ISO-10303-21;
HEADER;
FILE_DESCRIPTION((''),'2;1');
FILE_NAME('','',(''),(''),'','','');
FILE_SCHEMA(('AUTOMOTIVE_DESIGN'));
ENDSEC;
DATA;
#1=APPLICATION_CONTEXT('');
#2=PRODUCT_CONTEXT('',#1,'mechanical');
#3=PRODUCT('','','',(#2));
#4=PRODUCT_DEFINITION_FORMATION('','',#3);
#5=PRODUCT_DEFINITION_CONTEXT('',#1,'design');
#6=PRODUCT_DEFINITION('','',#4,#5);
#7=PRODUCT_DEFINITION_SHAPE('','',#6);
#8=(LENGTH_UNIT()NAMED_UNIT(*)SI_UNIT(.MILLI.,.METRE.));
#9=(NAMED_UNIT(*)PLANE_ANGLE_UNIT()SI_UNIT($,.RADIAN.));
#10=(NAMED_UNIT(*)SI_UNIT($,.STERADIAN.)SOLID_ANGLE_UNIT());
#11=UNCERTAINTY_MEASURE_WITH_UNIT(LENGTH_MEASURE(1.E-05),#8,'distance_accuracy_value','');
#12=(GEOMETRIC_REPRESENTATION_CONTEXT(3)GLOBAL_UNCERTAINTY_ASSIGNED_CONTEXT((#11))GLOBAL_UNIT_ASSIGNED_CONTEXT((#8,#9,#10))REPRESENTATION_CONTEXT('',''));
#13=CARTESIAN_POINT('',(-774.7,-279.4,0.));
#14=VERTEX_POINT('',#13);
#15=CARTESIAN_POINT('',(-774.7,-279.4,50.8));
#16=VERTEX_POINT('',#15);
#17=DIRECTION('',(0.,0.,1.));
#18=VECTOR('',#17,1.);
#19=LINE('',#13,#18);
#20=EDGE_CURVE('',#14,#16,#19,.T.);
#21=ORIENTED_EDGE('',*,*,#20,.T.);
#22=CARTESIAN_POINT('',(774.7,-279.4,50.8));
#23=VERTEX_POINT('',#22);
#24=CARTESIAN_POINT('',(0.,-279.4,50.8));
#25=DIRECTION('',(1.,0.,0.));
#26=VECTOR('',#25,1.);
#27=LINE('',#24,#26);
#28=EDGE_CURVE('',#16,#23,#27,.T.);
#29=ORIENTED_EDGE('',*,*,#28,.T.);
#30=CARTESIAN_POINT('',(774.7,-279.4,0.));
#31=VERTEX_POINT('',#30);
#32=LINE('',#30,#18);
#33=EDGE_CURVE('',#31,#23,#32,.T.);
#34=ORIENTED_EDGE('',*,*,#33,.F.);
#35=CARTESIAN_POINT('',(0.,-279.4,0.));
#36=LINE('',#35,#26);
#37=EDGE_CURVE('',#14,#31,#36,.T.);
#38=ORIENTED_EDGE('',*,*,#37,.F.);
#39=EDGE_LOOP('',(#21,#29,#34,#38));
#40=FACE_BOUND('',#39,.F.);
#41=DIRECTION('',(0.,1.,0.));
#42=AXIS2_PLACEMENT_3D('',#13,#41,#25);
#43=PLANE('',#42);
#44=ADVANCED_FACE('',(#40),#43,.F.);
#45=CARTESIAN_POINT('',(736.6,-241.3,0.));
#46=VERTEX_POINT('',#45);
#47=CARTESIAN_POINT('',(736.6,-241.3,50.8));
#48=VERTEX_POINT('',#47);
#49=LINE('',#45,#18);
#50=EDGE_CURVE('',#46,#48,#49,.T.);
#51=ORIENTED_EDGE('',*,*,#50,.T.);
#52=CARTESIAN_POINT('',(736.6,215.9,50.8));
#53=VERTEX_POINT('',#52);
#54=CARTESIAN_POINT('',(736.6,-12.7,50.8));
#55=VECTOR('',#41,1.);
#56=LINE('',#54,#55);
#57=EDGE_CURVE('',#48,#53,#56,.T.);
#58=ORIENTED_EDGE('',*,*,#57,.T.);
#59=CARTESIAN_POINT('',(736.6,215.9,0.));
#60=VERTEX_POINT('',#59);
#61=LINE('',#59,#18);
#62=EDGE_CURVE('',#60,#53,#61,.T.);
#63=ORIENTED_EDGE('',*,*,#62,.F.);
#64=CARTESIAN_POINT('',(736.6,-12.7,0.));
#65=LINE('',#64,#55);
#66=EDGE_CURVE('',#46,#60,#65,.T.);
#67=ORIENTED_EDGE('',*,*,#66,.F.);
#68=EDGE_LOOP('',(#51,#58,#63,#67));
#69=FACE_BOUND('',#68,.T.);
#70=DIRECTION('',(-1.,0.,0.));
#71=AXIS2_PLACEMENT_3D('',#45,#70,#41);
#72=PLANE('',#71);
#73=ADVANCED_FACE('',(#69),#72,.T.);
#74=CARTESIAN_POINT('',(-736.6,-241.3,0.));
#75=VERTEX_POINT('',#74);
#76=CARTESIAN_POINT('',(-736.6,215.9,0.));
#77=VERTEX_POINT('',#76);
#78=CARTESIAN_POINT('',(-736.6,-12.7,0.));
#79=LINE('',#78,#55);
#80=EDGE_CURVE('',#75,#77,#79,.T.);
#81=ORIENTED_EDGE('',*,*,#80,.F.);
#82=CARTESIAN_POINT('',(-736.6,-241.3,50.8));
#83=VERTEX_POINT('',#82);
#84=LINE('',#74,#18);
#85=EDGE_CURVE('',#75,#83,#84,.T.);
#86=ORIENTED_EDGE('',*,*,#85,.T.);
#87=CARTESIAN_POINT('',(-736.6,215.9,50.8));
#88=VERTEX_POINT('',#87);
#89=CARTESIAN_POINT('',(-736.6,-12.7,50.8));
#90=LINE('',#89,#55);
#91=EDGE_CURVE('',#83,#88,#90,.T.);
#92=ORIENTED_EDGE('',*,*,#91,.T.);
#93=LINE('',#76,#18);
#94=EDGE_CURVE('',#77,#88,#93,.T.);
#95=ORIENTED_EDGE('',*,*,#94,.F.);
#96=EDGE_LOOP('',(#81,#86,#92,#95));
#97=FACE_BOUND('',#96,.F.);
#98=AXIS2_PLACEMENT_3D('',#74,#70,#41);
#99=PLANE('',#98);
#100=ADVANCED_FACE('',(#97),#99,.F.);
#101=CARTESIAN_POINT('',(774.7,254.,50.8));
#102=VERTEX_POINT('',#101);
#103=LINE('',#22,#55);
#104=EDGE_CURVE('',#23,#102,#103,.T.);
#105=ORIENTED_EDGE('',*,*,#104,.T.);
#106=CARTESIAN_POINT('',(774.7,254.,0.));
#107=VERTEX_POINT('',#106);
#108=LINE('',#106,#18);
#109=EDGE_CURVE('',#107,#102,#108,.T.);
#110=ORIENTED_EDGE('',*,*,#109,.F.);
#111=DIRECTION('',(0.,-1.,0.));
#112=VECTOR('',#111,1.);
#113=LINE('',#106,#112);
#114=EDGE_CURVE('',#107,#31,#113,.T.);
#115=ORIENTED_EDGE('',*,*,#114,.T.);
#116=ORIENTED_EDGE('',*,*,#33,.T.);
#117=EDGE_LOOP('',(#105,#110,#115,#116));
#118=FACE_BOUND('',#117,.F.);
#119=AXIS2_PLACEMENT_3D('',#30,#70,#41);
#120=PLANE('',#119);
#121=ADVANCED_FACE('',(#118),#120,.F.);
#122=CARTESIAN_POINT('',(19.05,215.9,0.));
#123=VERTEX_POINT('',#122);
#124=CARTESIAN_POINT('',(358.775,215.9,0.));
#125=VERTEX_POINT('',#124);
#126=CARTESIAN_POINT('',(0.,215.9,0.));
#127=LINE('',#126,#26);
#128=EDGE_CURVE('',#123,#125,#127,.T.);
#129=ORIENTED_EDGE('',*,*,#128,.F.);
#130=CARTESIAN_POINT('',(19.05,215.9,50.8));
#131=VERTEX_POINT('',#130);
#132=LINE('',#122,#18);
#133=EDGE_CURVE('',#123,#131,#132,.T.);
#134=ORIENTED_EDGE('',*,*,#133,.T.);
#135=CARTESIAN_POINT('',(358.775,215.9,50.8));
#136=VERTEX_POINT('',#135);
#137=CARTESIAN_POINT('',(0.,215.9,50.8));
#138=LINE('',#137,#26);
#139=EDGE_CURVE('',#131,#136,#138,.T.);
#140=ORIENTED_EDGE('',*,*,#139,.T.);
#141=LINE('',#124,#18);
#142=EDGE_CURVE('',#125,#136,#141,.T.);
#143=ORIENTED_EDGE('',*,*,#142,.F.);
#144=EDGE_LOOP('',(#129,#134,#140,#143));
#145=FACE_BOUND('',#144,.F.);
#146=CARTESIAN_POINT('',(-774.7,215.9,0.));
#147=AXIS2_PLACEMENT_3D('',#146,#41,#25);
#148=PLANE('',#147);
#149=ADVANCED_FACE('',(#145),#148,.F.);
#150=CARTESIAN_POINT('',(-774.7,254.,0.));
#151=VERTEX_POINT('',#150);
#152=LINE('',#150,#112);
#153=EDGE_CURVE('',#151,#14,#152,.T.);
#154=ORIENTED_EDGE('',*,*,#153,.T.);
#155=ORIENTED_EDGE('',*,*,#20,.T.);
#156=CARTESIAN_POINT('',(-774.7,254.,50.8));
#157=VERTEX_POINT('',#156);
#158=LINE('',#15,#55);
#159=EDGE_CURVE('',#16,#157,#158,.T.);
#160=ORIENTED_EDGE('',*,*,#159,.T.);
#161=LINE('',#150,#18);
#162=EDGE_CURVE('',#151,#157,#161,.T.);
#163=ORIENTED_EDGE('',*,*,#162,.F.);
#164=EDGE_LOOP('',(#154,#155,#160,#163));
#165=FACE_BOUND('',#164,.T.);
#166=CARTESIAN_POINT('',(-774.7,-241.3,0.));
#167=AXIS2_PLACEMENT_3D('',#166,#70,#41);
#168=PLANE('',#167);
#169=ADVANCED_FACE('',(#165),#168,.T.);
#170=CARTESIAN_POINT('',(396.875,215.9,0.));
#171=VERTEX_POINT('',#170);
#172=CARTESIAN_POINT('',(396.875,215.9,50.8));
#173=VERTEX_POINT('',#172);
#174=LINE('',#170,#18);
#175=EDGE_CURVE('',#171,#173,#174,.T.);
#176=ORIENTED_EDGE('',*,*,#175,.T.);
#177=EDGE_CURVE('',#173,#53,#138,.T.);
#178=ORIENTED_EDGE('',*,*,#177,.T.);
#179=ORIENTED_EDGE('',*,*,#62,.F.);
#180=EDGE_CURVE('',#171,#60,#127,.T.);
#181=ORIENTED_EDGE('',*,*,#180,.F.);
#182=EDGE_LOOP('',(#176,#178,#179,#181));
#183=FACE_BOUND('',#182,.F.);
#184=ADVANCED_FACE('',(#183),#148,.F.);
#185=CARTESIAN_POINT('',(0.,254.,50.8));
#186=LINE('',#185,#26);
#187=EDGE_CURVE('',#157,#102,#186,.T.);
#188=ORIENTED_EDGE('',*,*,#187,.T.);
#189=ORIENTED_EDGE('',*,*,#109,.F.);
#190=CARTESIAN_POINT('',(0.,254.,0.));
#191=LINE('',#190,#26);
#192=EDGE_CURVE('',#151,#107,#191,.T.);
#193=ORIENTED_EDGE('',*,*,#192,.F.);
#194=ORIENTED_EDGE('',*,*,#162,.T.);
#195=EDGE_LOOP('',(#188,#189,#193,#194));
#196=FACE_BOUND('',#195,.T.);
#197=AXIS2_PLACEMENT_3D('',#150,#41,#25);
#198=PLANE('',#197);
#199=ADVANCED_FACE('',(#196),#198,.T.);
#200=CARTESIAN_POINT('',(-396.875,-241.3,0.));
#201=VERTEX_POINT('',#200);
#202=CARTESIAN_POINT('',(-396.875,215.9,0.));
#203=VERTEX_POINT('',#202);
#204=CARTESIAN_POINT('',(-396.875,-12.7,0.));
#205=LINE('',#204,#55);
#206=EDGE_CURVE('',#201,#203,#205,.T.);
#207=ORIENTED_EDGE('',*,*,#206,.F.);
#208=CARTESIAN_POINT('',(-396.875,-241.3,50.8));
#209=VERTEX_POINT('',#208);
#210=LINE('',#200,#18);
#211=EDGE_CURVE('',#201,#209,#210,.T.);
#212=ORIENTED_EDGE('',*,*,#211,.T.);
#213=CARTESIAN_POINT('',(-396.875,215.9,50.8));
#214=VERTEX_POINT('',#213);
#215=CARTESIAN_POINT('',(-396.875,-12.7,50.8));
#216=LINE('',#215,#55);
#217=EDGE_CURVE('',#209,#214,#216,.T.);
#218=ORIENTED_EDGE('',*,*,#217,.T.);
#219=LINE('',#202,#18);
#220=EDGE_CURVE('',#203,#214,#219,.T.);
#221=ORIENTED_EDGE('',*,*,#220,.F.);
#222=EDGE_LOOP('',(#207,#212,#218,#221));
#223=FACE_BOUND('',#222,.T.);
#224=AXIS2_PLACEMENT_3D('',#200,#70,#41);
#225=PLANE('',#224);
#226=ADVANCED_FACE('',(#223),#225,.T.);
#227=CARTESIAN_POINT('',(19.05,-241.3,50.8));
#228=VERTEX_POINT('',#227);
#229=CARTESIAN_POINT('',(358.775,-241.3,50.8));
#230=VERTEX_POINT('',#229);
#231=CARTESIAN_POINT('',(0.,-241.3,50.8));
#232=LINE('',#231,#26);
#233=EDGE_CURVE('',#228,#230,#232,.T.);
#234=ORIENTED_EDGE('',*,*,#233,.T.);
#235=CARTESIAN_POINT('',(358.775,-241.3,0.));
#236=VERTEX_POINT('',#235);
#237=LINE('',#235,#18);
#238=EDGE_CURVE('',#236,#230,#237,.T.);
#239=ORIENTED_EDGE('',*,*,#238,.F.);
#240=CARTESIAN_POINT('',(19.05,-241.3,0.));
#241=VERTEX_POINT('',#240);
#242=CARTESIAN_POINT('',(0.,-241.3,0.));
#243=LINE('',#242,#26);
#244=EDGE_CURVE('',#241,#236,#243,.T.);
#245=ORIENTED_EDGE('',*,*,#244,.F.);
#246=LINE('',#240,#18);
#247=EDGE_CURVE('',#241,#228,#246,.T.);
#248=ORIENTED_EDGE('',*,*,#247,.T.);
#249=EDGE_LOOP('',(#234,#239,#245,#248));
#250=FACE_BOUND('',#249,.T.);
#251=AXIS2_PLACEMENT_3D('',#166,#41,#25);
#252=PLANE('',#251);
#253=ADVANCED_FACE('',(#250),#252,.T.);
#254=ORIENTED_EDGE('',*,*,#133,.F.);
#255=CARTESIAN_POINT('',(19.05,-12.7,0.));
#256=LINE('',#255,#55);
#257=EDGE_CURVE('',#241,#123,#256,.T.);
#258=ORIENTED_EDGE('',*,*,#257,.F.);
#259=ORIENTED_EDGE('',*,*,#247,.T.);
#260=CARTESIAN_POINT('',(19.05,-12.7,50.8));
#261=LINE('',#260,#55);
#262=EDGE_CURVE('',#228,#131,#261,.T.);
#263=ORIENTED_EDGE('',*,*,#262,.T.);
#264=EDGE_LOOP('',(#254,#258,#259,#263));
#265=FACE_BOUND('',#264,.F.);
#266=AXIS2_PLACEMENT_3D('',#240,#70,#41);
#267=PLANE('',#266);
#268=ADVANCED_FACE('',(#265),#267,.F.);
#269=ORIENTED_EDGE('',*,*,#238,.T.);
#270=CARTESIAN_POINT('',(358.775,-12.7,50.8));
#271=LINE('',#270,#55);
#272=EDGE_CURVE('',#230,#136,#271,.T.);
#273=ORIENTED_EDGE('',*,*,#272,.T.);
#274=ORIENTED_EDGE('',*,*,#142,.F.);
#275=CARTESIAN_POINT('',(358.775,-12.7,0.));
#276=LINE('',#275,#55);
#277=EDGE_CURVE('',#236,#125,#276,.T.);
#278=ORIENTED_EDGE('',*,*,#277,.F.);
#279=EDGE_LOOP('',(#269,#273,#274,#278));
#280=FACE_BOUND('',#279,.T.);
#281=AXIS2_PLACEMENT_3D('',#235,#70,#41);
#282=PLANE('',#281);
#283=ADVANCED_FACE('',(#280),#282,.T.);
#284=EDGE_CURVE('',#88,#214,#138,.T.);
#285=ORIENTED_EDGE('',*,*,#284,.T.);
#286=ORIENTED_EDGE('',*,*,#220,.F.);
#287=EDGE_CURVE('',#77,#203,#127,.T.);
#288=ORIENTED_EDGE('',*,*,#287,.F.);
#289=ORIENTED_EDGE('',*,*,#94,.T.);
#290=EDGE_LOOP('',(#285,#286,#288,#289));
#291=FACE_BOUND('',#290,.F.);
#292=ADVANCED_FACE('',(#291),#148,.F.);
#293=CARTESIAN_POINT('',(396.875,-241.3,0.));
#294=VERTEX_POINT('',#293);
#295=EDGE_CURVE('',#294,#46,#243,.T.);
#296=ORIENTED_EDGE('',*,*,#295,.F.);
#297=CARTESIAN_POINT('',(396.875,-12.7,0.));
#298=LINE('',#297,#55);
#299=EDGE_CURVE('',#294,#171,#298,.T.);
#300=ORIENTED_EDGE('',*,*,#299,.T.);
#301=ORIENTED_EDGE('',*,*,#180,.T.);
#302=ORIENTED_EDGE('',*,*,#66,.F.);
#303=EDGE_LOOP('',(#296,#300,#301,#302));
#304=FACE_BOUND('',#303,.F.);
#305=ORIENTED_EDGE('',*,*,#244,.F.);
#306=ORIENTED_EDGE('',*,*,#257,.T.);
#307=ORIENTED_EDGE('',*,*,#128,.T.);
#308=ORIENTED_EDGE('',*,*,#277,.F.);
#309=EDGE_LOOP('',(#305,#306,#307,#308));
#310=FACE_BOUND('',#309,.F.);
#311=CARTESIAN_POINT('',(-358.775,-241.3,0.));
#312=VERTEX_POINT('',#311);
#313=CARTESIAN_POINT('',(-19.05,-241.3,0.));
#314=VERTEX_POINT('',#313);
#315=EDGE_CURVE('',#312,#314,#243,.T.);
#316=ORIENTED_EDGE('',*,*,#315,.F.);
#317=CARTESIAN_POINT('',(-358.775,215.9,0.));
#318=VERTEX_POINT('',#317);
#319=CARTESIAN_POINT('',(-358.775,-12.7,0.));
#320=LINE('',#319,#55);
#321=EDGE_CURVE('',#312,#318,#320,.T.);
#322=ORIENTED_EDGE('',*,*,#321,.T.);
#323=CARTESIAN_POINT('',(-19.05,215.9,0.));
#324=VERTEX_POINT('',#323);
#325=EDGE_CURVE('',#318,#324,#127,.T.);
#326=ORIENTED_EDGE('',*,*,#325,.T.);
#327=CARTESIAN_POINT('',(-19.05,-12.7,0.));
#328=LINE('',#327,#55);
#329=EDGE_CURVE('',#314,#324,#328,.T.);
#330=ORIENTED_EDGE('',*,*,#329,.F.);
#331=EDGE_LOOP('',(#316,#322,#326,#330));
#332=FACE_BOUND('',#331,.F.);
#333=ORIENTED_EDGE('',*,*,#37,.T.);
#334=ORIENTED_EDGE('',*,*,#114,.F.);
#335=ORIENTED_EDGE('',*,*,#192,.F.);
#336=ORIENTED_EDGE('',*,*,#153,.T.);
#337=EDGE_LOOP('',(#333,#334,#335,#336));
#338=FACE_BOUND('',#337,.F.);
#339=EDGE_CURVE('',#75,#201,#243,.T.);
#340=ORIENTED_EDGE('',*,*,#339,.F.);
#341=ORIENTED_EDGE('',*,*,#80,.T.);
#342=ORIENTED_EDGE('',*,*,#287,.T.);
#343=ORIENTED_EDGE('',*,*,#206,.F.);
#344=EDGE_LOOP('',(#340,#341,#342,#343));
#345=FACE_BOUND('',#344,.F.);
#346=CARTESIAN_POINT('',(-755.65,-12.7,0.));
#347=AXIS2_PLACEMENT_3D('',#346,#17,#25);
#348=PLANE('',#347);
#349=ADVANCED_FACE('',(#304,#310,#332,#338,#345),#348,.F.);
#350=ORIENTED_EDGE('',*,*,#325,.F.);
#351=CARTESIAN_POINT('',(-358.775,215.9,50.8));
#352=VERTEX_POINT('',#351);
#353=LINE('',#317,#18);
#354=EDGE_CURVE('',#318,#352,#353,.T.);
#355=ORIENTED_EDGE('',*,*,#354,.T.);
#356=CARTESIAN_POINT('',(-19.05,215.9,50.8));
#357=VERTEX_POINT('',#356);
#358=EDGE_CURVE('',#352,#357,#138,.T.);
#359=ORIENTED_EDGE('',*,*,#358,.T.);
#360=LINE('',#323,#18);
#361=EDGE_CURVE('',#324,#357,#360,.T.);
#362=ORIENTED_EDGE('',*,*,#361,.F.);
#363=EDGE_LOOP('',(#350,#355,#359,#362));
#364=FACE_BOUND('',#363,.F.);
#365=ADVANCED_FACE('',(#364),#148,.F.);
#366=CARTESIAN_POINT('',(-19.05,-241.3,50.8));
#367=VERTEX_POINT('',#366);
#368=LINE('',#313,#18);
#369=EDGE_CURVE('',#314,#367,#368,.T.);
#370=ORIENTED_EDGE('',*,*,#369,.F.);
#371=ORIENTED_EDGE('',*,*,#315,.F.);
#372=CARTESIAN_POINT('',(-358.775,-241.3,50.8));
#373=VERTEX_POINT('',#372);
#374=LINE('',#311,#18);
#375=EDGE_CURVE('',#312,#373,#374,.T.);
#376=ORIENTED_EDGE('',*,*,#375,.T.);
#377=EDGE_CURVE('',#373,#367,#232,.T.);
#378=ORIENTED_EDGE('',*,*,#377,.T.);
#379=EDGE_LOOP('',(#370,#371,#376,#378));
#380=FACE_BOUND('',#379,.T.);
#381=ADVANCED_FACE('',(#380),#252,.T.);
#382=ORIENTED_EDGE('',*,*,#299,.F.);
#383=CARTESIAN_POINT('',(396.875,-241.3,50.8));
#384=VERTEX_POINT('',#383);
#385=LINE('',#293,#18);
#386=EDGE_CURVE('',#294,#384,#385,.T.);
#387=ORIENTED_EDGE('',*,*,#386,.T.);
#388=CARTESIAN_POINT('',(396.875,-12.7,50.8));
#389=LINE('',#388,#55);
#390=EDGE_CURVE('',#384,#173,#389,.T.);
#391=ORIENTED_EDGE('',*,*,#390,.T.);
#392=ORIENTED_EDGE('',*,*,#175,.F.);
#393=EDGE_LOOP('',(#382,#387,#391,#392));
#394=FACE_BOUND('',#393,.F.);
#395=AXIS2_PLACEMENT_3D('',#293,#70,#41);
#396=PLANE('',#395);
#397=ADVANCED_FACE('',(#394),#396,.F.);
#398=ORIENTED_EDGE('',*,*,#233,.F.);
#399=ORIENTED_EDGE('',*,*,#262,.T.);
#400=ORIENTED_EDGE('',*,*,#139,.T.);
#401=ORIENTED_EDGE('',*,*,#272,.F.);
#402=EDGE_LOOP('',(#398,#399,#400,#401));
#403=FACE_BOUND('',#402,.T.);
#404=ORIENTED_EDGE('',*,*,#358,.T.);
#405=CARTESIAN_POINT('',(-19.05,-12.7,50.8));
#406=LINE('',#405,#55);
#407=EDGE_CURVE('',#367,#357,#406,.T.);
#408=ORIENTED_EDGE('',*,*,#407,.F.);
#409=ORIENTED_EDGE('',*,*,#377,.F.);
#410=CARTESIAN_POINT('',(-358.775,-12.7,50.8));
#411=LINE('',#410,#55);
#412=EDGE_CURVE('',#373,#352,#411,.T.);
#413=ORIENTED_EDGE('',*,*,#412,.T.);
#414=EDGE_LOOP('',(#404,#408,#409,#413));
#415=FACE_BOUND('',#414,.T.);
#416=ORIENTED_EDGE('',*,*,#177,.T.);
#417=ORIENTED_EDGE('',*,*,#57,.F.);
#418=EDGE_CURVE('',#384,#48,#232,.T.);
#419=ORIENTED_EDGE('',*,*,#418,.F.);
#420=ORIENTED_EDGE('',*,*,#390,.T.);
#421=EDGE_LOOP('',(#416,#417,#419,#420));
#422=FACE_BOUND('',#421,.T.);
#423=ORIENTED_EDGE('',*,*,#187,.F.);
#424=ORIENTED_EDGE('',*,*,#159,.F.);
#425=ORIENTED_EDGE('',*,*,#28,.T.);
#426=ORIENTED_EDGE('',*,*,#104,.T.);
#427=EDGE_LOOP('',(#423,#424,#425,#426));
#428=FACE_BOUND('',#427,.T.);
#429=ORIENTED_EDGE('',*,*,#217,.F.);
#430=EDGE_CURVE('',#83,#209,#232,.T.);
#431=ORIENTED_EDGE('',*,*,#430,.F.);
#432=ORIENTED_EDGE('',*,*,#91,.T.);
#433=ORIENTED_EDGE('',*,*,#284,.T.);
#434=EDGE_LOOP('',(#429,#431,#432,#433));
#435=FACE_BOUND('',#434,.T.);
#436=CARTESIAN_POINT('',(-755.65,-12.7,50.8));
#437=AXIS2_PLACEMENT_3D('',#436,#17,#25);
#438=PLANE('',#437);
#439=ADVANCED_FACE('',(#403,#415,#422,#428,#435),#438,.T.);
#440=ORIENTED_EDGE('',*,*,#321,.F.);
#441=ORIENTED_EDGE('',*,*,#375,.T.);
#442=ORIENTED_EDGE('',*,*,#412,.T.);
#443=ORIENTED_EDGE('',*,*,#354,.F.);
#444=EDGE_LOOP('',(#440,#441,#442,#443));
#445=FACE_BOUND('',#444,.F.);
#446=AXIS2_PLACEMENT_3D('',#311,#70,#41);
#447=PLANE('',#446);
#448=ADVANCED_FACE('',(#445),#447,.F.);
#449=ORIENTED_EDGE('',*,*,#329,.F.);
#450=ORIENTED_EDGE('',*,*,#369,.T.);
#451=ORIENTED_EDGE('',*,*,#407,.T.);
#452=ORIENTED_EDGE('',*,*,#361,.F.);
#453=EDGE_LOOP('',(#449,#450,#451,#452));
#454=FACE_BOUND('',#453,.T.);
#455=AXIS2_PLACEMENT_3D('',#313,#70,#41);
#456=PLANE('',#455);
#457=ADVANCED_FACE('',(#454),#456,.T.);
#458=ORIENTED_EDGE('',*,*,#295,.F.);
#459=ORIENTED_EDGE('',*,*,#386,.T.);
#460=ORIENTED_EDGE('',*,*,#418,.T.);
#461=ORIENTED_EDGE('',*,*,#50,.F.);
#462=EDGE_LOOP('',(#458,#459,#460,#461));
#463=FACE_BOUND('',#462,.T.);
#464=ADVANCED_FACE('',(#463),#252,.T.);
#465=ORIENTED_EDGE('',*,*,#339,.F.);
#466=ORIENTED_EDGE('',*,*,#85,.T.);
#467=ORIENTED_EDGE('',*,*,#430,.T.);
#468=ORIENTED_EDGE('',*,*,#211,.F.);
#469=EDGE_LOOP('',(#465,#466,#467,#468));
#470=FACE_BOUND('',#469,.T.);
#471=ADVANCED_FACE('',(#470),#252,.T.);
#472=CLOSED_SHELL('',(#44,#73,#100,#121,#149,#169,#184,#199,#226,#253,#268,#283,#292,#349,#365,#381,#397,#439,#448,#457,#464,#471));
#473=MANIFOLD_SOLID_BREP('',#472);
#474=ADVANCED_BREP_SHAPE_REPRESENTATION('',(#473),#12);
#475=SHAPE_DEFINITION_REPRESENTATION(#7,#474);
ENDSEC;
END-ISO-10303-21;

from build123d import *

# Parameters (mm, degrees)
F0_W     = 1549.4
F0_H     = 38.1
F1_DEPTH = 50.8
F2_W     = 38.1
F2_H     = 457.2
F3_DEPTH = 50.8


with BuildPart() as f1:
    # F0 (on Top) → F1 (new body)
    with BuildSketch(Plane.XY):
        with Locations((0, 234.95)):
            Rectangle(F0_W, F0_H)
        with Locations((0, -260.35)):
            Rectangle(F0_W, F0_H)
    extrude(amount=F1_DEPTH)

    # F2 (on Top) → F3 (join, through all)
    with BuildSketch(Plane.XY):
        with Locations((-755.65, -12.7)):
            Rectangle(F2_W, F2_H)
        with Locations((-377.825, -12.7)):
            Rectangle(F2_W, F2_H)
        with Locations((0, -12.7)):
            Rectangle(F2_W, F2_H)
        with Locations((377.825, -12.7)):
            Rectangle(F2_W, F2_H)
        with Locations((755.65, -12.7)):
            Rectangle(F2_W, F2_H)
    extrude(amount=F3_DEPTH)


solid = f1.part
